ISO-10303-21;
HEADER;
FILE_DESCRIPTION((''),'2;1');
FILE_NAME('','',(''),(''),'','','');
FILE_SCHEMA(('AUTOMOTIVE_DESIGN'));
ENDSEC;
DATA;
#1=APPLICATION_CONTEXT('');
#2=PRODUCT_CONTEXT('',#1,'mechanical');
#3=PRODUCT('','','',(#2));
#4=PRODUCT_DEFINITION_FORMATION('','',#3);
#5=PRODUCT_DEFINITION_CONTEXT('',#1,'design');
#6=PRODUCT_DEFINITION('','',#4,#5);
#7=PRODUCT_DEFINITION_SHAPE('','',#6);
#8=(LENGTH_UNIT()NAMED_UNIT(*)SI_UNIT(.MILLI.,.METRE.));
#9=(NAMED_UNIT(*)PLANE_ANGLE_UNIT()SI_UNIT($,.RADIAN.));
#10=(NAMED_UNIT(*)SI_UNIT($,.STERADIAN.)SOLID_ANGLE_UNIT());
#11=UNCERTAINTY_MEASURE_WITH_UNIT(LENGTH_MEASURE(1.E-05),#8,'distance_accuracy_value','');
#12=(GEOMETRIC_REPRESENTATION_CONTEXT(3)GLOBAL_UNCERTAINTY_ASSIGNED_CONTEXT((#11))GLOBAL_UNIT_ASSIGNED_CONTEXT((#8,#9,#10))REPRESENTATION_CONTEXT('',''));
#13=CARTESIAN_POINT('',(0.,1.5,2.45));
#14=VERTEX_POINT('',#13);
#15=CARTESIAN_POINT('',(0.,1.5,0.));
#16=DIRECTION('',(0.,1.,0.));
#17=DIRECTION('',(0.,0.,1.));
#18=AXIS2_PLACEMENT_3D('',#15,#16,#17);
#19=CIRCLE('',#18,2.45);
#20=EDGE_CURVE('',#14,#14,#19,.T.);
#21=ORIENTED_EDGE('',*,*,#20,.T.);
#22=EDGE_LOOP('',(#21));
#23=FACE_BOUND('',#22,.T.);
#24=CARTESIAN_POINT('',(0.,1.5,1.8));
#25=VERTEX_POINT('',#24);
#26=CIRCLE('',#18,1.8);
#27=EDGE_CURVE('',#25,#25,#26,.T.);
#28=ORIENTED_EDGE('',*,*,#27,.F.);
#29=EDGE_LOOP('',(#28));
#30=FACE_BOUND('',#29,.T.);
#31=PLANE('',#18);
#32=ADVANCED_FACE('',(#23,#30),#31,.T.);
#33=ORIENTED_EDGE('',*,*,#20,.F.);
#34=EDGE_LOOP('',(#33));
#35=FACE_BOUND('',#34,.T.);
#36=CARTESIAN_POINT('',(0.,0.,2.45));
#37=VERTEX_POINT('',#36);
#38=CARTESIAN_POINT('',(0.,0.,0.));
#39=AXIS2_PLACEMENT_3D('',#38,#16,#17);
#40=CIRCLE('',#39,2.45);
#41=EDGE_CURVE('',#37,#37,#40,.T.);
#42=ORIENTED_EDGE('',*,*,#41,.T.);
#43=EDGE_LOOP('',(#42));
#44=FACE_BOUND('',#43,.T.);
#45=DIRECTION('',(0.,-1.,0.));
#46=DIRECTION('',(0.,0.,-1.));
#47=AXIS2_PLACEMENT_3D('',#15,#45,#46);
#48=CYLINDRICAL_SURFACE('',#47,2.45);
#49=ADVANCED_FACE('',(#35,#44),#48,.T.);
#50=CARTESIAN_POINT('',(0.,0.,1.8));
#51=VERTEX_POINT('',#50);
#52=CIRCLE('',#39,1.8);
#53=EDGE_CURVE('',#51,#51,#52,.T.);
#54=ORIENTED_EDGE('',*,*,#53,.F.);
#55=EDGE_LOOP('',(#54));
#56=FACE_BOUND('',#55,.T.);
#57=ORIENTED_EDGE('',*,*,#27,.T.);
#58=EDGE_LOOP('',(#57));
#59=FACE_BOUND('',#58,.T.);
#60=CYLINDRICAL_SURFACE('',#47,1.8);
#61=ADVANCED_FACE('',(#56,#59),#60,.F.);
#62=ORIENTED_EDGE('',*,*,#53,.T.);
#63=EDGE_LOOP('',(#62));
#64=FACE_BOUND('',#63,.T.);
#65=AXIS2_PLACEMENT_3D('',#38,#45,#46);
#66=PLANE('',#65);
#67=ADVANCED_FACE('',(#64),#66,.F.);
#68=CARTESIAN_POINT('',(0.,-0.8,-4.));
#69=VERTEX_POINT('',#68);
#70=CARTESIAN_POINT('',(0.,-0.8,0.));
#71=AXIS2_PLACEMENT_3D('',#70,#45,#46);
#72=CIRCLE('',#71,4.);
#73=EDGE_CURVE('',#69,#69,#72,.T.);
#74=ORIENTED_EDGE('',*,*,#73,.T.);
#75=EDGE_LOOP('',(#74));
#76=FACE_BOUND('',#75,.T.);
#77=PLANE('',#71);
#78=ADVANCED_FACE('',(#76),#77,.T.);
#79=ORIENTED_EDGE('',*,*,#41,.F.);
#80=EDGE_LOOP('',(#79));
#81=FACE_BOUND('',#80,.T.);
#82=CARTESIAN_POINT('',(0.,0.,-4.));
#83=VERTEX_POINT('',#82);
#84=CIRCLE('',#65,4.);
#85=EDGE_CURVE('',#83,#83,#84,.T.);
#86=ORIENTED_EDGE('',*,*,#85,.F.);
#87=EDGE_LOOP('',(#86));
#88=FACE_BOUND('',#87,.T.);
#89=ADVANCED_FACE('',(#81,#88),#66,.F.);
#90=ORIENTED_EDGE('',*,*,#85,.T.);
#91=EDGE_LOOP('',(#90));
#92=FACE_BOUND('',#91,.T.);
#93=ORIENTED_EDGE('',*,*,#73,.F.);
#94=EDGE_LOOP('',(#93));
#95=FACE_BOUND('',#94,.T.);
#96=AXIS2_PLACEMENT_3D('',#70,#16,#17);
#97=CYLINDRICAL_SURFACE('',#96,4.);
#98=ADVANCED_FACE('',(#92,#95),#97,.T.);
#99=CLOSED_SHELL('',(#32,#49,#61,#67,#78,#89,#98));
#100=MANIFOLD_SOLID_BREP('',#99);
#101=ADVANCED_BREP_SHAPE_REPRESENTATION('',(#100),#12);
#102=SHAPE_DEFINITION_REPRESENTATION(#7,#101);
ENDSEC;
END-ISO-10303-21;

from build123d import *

# Parameters (mm, degrees)
SKETCH1_R           = 2.45
SKETCH1_R_2         = 1.8
BOSS_EXTRUDE1_DEPTH = 1.5
SKETCH2_R           = 4
BOSS_EXTRUDE2_DEPTH = 0.8


with BuildPart() as part:
    # Sketch1 → Boss-Extrude1 (new body)
    with BuildSketch(Plane(origin=(0, 0, 0), x_dir=(1, 0, 0), z_dir=(0, 1, 0))):
        Circle(SKETCH1_R)
        Circle(SKETCH1_R_2, mode=Mode.SUBTRACT)
    extrude(amount=BOSS_EXTRUDE1_DEPTH)

    # Sketch2 → Boss-Extrude2 (add)
    with BuildSketch(Plane.XZ):
        Circle(SKETCH2_R)
    extrude(amount=BOSS_EXTRUDE2_DEPTH)


solid = part.part
